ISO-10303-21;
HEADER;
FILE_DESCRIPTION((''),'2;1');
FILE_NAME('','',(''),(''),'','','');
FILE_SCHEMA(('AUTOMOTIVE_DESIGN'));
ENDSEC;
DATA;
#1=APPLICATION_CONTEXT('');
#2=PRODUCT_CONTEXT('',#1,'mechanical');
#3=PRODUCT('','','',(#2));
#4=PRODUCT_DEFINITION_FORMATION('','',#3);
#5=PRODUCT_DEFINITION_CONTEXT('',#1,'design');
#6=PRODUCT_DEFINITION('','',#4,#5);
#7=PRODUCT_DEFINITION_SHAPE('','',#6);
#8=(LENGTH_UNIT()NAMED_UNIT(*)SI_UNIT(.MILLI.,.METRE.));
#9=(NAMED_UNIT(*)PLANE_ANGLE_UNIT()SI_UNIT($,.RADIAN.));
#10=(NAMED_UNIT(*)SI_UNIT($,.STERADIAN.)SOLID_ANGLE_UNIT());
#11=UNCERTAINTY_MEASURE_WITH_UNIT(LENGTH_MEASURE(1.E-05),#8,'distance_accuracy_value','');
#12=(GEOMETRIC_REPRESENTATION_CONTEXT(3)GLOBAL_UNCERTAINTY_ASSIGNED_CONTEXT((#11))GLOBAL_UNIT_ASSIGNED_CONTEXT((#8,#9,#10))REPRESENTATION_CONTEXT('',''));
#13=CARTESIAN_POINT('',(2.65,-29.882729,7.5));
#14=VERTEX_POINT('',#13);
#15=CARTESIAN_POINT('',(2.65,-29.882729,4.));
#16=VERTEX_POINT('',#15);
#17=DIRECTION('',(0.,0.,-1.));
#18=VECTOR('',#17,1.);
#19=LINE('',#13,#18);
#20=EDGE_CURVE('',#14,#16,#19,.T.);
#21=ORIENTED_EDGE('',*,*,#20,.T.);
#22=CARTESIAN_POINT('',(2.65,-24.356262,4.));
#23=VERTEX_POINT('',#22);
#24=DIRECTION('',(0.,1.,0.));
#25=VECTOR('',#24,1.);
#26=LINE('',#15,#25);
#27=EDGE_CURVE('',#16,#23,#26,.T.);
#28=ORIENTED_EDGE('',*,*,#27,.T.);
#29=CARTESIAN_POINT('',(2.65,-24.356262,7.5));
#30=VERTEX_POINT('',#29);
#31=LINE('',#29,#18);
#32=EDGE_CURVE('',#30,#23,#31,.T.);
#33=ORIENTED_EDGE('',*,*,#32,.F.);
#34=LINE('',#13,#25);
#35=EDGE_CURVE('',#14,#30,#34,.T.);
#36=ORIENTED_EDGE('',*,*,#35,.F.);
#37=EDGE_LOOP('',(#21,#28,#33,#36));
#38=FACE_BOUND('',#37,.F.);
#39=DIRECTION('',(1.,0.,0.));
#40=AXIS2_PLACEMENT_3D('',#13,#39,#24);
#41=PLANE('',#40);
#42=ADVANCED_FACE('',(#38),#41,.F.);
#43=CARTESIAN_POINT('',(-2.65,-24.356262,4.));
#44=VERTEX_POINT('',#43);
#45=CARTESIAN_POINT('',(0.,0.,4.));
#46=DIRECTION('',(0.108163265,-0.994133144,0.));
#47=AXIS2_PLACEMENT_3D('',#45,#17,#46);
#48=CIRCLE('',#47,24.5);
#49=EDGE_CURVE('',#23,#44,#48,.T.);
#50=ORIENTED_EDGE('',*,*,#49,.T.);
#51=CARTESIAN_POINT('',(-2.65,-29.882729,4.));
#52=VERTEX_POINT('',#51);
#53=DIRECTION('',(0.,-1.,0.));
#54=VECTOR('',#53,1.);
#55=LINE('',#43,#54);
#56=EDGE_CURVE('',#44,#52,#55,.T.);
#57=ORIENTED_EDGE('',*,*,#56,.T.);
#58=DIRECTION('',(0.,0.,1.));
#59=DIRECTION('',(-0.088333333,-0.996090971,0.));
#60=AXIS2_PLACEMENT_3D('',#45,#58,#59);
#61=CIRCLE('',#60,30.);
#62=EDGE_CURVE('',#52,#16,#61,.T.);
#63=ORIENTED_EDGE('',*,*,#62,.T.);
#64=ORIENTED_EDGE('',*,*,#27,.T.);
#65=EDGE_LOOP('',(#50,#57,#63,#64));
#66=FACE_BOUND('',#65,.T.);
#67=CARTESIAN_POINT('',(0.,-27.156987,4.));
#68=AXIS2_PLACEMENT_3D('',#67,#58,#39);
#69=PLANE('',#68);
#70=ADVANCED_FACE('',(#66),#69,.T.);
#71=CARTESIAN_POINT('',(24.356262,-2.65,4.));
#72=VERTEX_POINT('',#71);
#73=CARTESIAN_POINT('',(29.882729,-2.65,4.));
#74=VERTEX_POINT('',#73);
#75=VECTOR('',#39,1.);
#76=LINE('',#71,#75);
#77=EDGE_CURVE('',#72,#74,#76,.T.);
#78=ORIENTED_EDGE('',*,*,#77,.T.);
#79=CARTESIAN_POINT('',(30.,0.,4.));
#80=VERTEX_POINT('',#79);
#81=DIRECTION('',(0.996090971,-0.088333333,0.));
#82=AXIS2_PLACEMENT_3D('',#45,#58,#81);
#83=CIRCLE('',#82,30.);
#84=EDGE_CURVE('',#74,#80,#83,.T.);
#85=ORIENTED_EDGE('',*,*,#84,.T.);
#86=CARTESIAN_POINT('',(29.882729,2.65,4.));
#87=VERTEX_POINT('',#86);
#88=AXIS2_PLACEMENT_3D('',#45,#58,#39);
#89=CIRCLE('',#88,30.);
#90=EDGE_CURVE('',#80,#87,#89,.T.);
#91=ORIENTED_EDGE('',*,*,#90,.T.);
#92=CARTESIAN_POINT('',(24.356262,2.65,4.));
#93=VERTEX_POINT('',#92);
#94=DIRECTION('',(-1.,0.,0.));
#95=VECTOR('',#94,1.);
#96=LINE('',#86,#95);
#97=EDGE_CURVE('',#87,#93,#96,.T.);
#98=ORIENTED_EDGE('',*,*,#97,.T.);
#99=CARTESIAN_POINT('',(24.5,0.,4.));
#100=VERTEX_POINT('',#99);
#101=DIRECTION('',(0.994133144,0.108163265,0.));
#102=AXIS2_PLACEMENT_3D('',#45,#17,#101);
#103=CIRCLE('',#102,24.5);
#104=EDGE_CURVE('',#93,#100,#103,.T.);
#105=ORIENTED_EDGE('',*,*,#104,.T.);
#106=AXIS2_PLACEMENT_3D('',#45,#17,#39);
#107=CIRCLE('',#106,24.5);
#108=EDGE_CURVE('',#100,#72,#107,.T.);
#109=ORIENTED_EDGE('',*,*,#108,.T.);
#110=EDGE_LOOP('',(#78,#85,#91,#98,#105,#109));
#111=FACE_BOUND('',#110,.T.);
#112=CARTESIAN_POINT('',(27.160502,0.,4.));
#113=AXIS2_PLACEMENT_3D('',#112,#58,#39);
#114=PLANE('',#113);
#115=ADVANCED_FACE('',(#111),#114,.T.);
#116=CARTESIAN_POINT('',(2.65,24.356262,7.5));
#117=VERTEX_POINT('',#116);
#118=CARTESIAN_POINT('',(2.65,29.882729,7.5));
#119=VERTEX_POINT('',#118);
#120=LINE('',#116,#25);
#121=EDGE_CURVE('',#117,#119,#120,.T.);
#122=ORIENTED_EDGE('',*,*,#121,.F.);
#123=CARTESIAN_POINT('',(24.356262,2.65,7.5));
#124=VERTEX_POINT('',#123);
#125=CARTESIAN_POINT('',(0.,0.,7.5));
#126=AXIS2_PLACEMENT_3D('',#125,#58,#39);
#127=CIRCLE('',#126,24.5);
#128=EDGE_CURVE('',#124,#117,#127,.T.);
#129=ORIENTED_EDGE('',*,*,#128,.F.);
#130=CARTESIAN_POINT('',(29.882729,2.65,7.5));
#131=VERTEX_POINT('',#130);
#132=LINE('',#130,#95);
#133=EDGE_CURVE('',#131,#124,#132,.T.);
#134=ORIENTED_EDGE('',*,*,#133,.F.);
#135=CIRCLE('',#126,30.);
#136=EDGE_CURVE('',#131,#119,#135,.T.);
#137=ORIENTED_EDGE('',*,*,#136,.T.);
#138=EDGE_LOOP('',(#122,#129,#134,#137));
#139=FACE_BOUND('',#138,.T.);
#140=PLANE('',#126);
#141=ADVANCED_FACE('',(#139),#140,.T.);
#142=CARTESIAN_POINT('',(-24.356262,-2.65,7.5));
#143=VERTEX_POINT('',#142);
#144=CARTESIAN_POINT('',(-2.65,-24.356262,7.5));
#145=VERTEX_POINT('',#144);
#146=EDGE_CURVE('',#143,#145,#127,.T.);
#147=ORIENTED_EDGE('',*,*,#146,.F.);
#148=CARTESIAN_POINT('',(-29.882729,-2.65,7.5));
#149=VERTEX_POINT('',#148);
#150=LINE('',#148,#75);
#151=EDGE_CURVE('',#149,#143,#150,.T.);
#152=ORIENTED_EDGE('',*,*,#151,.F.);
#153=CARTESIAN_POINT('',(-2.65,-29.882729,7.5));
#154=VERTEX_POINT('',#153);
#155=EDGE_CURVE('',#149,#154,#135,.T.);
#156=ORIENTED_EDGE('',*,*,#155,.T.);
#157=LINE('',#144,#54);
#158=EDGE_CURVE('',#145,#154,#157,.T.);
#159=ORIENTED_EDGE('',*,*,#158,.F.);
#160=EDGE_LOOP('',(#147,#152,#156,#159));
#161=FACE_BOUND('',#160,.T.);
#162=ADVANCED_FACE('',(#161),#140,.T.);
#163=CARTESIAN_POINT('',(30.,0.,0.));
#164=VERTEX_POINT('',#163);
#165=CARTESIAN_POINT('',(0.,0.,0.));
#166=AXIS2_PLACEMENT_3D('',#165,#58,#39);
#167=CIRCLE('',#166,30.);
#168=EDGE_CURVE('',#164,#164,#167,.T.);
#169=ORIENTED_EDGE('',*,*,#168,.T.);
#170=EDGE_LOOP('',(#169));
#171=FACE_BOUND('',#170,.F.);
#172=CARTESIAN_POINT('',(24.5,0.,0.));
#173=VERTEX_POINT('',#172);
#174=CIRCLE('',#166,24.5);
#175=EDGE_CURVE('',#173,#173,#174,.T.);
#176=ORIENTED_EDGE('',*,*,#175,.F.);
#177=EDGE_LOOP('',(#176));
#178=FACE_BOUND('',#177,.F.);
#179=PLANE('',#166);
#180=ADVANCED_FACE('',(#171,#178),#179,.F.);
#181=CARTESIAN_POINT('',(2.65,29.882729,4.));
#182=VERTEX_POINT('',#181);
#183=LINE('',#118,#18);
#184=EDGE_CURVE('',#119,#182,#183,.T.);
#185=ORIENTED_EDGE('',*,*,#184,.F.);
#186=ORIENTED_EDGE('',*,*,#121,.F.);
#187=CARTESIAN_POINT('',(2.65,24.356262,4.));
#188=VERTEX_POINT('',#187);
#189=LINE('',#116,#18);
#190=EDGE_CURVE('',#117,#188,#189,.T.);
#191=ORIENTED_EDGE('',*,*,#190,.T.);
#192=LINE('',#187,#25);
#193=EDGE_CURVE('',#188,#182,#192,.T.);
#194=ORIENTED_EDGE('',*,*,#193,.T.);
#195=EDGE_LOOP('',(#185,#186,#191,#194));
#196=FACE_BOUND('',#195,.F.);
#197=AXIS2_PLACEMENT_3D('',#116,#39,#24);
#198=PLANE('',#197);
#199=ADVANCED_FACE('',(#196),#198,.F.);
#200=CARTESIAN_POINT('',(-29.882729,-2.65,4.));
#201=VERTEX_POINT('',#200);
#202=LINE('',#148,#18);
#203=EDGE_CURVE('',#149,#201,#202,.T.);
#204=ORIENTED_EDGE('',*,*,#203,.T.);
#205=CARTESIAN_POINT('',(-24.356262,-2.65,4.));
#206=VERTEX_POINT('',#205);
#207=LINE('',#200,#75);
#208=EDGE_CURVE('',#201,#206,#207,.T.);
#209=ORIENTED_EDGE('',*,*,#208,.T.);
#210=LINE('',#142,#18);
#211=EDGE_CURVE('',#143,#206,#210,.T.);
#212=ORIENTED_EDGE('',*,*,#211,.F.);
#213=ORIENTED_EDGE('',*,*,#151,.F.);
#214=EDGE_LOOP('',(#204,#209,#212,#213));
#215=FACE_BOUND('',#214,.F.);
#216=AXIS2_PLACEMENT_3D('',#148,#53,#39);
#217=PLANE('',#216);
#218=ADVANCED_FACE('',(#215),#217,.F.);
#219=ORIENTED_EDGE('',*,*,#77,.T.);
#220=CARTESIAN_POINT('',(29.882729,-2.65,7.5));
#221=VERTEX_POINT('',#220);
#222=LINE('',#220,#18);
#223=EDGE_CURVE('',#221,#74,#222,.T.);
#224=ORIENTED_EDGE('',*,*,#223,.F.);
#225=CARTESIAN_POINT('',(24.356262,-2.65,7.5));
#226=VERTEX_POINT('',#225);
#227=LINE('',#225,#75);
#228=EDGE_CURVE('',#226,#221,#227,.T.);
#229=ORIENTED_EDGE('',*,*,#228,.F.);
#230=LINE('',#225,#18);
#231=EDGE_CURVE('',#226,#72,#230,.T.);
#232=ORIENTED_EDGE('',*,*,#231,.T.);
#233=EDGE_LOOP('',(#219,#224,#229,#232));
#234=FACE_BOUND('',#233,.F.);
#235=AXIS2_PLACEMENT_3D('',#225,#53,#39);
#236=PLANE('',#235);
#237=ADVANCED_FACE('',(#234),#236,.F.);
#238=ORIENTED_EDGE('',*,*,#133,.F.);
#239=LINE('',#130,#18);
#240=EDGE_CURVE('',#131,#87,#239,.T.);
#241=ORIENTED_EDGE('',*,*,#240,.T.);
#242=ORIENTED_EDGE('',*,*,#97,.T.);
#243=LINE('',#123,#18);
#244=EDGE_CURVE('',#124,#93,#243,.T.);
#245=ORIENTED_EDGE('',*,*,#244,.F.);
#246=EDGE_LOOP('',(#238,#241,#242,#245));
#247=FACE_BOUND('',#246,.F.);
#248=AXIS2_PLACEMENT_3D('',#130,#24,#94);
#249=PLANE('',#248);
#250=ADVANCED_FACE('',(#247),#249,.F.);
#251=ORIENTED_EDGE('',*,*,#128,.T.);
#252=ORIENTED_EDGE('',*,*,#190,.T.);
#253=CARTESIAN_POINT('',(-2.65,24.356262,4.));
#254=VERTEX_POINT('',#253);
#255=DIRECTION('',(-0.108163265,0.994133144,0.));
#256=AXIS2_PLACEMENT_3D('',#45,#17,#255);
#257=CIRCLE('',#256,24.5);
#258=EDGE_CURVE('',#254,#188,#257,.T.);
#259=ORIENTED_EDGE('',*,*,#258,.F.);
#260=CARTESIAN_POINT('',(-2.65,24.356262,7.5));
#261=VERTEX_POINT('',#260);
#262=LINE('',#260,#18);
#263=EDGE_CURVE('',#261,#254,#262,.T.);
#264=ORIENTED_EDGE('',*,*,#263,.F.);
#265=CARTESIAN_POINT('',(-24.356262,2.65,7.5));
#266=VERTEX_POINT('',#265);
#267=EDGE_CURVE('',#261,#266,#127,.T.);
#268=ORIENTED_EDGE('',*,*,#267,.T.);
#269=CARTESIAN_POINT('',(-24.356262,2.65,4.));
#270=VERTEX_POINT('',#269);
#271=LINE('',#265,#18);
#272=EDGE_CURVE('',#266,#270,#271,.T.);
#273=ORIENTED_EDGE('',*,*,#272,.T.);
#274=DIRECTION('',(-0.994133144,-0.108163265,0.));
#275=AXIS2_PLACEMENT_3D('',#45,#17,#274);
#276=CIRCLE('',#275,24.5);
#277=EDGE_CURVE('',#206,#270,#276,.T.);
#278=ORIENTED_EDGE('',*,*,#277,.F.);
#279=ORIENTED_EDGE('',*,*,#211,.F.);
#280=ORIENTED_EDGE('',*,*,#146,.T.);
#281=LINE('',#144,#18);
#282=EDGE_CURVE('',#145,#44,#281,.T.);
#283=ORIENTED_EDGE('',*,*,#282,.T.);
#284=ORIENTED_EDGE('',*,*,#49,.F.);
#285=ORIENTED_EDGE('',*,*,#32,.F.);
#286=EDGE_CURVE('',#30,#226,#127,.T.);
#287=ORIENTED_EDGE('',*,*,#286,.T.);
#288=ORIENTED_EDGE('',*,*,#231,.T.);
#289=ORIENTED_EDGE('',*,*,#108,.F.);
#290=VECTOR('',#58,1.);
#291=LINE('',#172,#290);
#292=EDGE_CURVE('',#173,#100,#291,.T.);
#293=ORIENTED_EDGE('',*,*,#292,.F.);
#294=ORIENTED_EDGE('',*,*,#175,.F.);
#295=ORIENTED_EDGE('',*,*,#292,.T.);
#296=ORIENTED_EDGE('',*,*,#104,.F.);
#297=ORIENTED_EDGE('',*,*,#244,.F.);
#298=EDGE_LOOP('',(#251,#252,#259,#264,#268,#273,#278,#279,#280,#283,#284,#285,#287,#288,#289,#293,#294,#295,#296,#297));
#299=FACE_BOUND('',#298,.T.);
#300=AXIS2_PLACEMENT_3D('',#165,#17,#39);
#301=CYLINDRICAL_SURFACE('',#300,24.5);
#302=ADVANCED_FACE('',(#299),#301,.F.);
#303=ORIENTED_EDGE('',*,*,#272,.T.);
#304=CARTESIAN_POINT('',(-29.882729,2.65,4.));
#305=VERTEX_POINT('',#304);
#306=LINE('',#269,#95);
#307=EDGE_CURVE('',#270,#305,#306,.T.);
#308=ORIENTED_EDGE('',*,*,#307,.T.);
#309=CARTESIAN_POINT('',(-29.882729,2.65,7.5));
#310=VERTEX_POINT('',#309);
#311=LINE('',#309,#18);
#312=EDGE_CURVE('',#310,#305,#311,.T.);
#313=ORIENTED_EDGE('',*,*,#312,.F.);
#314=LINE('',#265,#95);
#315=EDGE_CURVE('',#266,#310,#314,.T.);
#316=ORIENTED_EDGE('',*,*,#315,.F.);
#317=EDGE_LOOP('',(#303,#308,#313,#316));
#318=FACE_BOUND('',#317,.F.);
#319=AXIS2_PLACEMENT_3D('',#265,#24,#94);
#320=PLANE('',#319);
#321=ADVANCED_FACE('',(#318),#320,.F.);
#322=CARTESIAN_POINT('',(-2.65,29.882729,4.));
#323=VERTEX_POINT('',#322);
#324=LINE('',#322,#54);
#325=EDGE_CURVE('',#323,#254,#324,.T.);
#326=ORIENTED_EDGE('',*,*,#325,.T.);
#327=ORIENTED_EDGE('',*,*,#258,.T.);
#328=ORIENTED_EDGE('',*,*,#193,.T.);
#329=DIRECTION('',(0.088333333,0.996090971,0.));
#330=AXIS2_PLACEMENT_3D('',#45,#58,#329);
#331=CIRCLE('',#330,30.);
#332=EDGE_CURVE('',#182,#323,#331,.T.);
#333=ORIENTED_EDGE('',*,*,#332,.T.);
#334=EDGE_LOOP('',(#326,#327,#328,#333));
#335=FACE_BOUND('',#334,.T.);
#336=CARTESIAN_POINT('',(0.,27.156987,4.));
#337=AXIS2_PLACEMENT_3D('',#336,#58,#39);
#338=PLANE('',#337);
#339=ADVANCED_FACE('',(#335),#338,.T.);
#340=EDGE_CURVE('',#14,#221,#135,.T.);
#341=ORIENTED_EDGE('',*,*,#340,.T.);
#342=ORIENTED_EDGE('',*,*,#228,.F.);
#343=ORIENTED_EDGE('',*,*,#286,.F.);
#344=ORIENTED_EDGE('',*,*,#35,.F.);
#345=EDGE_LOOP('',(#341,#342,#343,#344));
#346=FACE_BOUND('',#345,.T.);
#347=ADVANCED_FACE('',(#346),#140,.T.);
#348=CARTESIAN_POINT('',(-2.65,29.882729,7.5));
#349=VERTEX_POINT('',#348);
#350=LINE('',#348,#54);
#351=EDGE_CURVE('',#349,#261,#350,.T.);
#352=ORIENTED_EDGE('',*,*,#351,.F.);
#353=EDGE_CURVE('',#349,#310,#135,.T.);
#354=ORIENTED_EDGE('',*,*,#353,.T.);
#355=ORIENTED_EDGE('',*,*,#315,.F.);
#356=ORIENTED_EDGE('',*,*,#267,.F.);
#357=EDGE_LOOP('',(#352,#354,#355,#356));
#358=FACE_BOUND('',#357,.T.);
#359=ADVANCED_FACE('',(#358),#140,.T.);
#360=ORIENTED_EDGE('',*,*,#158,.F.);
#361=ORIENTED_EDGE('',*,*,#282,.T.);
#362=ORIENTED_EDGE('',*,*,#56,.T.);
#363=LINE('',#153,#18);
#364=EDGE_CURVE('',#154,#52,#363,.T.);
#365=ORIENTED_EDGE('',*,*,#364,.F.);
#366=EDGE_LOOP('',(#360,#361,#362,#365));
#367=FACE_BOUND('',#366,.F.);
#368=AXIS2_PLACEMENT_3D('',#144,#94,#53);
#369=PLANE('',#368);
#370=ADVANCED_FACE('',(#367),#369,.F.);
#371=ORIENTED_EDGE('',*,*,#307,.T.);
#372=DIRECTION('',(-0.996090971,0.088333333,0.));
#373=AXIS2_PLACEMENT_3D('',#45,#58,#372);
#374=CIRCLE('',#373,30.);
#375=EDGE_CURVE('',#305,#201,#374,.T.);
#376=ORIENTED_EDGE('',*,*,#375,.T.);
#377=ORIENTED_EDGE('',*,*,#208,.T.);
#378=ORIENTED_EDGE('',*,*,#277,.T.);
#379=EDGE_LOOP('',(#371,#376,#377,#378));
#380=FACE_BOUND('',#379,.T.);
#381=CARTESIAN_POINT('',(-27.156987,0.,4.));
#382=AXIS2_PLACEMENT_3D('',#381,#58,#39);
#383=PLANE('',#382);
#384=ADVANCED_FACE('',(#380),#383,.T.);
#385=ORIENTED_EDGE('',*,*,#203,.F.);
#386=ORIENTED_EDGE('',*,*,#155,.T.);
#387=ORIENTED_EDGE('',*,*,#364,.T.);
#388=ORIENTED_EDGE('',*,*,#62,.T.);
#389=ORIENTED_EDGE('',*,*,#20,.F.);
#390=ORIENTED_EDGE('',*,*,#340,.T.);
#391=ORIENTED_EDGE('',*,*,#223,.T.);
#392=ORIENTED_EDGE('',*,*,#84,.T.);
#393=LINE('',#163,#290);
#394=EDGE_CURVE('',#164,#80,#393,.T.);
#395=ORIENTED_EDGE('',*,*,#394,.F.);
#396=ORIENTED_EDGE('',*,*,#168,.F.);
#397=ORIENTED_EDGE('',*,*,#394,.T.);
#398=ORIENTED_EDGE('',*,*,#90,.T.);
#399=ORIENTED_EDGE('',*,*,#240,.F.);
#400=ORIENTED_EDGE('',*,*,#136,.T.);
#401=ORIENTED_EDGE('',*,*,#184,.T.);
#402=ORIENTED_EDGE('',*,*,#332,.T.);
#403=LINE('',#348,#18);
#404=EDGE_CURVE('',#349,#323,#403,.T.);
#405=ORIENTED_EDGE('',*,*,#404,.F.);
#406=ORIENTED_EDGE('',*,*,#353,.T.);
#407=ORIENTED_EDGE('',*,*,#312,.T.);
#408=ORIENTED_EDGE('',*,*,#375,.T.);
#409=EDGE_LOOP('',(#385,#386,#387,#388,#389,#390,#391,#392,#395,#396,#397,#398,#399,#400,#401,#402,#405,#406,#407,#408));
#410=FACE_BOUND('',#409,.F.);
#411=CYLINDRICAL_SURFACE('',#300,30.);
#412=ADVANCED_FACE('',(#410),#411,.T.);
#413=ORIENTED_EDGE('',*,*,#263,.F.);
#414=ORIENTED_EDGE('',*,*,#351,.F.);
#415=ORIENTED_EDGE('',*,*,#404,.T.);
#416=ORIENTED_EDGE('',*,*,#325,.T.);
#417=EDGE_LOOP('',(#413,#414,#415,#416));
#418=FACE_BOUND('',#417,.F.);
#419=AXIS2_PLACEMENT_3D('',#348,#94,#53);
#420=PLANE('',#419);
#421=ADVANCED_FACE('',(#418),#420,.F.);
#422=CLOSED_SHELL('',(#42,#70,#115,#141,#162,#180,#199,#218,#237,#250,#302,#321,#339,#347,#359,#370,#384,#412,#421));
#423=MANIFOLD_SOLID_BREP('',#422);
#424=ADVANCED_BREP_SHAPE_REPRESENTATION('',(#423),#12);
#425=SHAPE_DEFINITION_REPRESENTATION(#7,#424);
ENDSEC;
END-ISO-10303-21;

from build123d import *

# Parameters (mm, degrees)
F0_R     = 30
F0_R_2   = 24.5
F1_DEPTH = 7.5
F3_DEPTH = 3.5


with BuildPart() as f1:
    # F0 (on Top) → F1 (new body)
    with BuildSketch(Plane.XY):
        Circle(F0_R)
        Circle(F0_R_2, mode=Mode.SUBTRACT)
    extrude(amount=F1_DEPTH)

    # F2 (on face) → F3 (cut)
    with BuildSketch(Plane.XY.offset(7.5)):
        with BuildLine():
            Line((-2.65, -24.3562620285), (-2.65, -29.8827291257))
            ThreePointArc((-2.65, -29.8827291257), (0, -30), (2.65, -29.8827291257))
            Line((2.65, -29.8827291257), (2.65, -24.3562620285))
            ThreePointArc((2.65, -24.3562620285), (0, -24.5), (-2.65, -24.3562620285))
        make_face()
        with BuildLine():
            ThreePointArc((30, 0), (29.9706679419, 1.3262967671), (29.8827291257, 2.65))
            Line((29.8827291257, 2.65), (24.3562620285, 2.65))
            ThreePointArc((24.3562620285, 2.65), (24.4640391156, 1.3269476821), (24.5, 0))
            ThreePointArc((24.5, 0), (24.4640391156, -1.3269476821), (24.3562620285, -2.65))
            Line((24.3562620285, -2.65), (29.8827291257, -2.65))
            ThreePointArc((29.8827291257, -2.65), (29.9706679419, -1.3262967671), (30, 0))
        make_face()
        with BuildLine():
            ThreePointArc((2.65, 29.8827291257), (0, 30), (-2.65, 29.8827291257))
            Line((-2.65, 29.8827291257), (-2.65, 24.3562620285))
            ThreePointArc((-2.65, 24.3562620285), (0, 24.5), (2.65, 24.3562620285))
            Line((2.65, 24.3562620285), (2.65, 29.8827291257))
        make_face()
        with BuildLine():
            Line((-24.3562620285, 2.65), (-29.8827291257, 2.65))
            ThreePointArc((-29.8827291257, 2.65), (-30, 0), (-29.8827291257, -2.65))
            Line((-29.8827291257, -2.65), (-24.3562620285, -2.65))
            ThreePointArc((-24.3562620285, -2.65), (-24.5, 0), (-24.3562620285, 2.65))
        make_face()
    extrude(amount=-F3_DEPTH, mode=Mode.SUBTRACT)


solid = f1.part
